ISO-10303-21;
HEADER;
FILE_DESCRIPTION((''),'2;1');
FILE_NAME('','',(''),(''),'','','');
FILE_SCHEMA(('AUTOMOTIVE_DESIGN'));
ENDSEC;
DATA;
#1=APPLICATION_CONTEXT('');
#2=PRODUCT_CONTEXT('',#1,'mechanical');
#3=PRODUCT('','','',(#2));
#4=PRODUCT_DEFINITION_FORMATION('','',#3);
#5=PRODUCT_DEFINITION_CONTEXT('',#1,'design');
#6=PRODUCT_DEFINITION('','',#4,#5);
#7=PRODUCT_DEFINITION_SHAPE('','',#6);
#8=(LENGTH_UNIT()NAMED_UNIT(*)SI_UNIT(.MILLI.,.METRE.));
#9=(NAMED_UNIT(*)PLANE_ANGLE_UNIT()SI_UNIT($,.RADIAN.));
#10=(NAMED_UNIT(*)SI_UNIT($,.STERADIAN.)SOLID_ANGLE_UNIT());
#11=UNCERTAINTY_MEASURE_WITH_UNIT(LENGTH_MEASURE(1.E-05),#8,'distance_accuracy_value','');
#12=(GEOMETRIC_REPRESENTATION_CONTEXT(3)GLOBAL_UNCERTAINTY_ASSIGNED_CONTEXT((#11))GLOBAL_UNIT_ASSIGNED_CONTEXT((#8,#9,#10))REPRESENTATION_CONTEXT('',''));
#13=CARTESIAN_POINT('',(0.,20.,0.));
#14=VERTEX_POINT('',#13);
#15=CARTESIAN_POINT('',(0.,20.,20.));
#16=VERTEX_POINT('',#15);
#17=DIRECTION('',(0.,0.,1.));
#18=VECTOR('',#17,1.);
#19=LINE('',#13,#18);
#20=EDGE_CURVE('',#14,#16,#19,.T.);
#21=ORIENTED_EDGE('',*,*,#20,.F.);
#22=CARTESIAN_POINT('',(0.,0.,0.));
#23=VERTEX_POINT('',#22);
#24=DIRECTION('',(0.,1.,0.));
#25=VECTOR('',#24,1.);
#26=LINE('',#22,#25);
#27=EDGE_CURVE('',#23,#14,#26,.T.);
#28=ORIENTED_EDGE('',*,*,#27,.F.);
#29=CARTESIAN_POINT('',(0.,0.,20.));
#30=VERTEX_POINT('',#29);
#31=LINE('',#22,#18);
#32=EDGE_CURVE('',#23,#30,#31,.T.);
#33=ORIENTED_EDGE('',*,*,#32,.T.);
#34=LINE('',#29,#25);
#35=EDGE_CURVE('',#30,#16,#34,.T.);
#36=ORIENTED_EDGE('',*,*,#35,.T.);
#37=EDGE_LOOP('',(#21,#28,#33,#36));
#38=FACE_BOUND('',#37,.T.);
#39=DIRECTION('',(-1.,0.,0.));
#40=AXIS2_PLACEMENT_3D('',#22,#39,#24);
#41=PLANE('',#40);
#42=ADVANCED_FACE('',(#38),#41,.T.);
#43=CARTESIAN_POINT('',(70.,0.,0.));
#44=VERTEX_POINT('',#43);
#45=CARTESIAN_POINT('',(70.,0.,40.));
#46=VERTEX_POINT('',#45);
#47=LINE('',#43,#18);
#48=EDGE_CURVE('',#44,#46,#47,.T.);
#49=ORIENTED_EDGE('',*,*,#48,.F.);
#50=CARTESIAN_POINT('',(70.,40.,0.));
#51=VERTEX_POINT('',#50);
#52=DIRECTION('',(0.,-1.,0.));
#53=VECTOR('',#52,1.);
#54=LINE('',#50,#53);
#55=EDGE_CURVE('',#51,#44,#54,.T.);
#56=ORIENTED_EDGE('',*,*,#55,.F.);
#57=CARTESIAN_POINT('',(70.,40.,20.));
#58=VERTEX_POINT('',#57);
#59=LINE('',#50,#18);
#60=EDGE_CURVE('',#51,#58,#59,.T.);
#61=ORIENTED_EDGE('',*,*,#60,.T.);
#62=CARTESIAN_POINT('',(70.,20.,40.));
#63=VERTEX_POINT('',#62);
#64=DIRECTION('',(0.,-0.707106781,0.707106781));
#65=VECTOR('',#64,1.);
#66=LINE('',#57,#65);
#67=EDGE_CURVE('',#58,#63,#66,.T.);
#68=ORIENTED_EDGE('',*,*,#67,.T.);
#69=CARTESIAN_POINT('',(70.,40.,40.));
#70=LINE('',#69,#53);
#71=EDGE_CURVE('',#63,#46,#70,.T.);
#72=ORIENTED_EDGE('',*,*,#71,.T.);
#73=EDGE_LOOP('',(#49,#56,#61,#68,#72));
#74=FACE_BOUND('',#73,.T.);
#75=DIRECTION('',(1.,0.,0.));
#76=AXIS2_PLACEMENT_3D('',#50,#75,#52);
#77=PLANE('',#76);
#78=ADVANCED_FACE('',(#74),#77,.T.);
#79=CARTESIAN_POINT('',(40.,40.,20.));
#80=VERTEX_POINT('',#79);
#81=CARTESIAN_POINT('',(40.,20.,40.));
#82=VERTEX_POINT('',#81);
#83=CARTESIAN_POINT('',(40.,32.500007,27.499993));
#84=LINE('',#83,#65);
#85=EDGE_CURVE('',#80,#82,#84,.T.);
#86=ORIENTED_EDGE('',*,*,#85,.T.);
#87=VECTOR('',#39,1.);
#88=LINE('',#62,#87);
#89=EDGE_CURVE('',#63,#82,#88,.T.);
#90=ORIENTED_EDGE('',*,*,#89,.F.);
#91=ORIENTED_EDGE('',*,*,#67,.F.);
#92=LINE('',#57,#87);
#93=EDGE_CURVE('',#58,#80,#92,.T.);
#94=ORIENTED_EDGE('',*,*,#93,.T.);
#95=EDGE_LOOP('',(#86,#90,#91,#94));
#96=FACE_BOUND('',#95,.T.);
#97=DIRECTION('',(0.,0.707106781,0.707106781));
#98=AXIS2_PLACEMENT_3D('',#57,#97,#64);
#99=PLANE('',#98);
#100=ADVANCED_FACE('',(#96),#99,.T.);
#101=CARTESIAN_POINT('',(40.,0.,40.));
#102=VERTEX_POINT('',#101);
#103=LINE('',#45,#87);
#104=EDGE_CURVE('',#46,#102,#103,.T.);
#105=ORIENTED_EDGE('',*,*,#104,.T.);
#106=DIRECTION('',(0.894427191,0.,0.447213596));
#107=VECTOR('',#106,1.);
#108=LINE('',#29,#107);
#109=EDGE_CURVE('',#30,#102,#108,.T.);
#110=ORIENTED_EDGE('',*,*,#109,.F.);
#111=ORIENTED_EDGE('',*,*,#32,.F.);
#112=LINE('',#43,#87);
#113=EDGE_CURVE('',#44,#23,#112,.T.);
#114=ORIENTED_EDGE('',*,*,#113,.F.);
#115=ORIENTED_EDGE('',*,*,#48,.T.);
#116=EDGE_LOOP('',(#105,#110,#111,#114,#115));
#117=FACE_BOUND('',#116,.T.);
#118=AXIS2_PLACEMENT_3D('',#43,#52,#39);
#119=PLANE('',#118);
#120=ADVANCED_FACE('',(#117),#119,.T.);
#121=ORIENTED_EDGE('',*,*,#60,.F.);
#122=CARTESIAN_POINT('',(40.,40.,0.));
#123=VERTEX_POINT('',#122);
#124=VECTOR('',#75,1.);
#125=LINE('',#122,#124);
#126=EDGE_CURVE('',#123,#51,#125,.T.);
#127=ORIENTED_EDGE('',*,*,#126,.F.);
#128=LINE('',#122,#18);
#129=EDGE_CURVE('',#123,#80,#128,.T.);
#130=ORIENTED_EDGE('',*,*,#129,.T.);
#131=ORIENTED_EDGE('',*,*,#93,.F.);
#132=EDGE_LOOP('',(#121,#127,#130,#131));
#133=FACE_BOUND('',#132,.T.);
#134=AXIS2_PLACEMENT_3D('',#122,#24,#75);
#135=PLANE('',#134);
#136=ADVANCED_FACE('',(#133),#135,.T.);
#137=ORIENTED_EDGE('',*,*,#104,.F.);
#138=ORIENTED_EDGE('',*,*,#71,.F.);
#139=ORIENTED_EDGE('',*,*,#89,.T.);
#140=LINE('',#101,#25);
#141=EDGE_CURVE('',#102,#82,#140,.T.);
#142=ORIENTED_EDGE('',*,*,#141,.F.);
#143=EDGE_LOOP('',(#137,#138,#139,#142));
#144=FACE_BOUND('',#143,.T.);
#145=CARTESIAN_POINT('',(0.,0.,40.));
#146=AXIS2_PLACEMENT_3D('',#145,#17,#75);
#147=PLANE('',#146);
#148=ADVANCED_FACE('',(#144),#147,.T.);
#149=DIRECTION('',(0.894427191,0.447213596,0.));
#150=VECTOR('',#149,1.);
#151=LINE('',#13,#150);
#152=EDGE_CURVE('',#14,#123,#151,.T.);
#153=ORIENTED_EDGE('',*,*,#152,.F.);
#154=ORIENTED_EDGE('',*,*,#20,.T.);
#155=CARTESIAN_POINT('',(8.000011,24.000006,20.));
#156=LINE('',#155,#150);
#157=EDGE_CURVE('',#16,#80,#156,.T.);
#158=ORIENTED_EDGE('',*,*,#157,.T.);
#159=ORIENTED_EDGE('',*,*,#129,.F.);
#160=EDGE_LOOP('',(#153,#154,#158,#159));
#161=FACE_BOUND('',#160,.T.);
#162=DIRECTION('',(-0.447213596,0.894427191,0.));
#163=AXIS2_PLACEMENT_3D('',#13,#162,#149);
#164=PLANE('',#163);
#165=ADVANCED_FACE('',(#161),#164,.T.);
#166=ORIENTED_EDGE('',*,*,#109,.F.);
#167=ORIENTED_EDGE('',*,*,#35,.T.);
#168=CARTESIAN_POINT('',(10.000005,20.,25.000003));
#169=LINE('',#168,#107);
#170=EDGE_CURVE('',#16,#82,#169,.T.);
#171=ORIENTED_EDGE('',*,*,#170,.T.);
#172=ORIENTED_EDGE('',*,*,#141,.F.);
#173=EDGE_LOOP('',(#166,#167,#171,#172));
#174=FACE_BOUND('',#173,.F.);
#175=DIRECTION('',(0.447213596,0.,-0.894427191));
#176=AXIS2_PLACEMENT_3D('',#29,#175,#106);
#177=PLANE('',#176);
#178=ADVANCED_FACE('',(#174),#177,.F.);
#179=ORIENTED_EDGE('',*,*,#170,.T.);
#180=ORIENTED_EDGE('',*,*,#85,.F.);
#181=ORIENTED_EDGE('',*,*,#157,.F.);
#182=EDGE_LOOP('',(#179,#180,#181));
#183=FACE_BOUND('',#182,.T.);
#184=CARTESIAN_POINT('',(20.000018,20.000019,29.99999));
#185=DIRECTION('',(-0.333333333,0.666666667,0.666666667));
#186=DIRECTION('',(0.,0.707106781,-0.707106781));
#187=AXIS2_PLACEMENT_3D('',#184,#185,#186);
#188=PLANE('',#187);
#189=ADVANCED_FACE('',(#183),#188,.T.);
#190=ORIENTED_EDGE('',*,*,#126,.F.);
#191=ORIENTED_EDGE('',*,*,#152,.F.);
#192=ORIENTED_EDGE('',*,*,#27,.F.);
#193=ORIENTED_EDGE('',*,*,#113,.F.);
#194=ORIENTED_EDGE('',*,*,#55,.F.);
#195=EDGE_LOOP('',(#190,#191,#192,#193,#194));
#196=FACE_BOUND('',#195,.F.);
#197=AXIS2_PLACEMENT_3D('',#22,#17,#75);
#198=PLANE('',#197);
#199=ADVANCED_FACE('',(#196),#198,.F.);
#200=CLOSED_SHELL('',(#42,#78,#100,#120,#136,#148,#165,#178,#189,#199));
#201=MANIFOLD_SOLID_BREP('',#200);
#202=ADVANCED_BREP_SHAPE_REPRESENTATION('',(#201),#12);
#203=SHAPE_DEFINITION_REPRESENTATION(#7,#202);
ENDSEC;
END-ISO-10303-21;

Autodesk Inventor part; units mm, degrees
ref_plane "YZ Plane" through (0, 0, 0) normal (1, 0, 0) x (0, 1, 0)
ref_plane "XZ Plane" through (0, 0, 0) normal (0, 1, 0) x (-1, 0, 0)
ref_plane "XY Plane" through (0, 0, 0) normal (0, 0, 1) x (1, 0, 0)
sketch "Sketch1" plane through (0, 0, 0) normal (0, 0, 1) x (1, 0, 0)
  line L0 (0, 0) -> (0, 20)
  line L1 (0, 20) -> (40, 40)
  line L2 (40, 40) -> (70, 40)
  line L3 (70, 40) -> (70, 0)
  line L4 (70, 0) -> (0, 0)
  dimension "d0" = 70
  dimension "d1" = 40
  dimension "d2" = 20
  dimension "d3" = 30
extrude "Extrusion1" add sketch "Sketch1" along normal blind 40
sketch "Sketch2" plane through (0, 0, 0) normal (0, -1, 0) x (1, 0, 0)
  line L0 (0, 40) -> (70, 40) projected
  line L1 (0, 0) -> (0, 40) projected
  line L2 (0, 0) -> (0, 40) projected
  line L3 (0, 20) -> (40, 40)
extrude "Extrusion2" cut sketch "Sketch2" against normal through all
sketch "Sketch3" plane through (70, 0, 0) normal (1, 0, 0) x (0, 0, -1)
  line L0 (0, 40) -> (-40, 40) projected
  line L1 (-40, 0) -> (-40, 40) projected
  line L2 (-20, 40) -> (-40, 20)
extrude "Extrusion3" cut sketch "Sketch3" against normal through all
sketch "Sketch4" plane through (40, 20, 40) normal (0, 0.7071, 0.7071) x (1, 0, 0)
  line L0 (-20, 14.1421) -> (0, 28.2843) projected
  line L1 (0, 0) -> (-20, 14.1421) projected
  line L2 (0, 28.2843) -> (0, 0)
  point P0 (-40, 14.1421)
sketch "Sketch5" plane through (0, 20, 20) normal (-0.4472, 0.8944, 0) x (0.8944, 0.4472, 0)
  line L0 (-8.9443, 0) -> (0, 0) projected
  line L1 (44.7214, 0) -> (0, 0)
  point P0 (-8.9443, 20)
sweep "Sweep1" cut profiles "Sketch4" path "Sketch5" path curves L1
properties part number "B7"
